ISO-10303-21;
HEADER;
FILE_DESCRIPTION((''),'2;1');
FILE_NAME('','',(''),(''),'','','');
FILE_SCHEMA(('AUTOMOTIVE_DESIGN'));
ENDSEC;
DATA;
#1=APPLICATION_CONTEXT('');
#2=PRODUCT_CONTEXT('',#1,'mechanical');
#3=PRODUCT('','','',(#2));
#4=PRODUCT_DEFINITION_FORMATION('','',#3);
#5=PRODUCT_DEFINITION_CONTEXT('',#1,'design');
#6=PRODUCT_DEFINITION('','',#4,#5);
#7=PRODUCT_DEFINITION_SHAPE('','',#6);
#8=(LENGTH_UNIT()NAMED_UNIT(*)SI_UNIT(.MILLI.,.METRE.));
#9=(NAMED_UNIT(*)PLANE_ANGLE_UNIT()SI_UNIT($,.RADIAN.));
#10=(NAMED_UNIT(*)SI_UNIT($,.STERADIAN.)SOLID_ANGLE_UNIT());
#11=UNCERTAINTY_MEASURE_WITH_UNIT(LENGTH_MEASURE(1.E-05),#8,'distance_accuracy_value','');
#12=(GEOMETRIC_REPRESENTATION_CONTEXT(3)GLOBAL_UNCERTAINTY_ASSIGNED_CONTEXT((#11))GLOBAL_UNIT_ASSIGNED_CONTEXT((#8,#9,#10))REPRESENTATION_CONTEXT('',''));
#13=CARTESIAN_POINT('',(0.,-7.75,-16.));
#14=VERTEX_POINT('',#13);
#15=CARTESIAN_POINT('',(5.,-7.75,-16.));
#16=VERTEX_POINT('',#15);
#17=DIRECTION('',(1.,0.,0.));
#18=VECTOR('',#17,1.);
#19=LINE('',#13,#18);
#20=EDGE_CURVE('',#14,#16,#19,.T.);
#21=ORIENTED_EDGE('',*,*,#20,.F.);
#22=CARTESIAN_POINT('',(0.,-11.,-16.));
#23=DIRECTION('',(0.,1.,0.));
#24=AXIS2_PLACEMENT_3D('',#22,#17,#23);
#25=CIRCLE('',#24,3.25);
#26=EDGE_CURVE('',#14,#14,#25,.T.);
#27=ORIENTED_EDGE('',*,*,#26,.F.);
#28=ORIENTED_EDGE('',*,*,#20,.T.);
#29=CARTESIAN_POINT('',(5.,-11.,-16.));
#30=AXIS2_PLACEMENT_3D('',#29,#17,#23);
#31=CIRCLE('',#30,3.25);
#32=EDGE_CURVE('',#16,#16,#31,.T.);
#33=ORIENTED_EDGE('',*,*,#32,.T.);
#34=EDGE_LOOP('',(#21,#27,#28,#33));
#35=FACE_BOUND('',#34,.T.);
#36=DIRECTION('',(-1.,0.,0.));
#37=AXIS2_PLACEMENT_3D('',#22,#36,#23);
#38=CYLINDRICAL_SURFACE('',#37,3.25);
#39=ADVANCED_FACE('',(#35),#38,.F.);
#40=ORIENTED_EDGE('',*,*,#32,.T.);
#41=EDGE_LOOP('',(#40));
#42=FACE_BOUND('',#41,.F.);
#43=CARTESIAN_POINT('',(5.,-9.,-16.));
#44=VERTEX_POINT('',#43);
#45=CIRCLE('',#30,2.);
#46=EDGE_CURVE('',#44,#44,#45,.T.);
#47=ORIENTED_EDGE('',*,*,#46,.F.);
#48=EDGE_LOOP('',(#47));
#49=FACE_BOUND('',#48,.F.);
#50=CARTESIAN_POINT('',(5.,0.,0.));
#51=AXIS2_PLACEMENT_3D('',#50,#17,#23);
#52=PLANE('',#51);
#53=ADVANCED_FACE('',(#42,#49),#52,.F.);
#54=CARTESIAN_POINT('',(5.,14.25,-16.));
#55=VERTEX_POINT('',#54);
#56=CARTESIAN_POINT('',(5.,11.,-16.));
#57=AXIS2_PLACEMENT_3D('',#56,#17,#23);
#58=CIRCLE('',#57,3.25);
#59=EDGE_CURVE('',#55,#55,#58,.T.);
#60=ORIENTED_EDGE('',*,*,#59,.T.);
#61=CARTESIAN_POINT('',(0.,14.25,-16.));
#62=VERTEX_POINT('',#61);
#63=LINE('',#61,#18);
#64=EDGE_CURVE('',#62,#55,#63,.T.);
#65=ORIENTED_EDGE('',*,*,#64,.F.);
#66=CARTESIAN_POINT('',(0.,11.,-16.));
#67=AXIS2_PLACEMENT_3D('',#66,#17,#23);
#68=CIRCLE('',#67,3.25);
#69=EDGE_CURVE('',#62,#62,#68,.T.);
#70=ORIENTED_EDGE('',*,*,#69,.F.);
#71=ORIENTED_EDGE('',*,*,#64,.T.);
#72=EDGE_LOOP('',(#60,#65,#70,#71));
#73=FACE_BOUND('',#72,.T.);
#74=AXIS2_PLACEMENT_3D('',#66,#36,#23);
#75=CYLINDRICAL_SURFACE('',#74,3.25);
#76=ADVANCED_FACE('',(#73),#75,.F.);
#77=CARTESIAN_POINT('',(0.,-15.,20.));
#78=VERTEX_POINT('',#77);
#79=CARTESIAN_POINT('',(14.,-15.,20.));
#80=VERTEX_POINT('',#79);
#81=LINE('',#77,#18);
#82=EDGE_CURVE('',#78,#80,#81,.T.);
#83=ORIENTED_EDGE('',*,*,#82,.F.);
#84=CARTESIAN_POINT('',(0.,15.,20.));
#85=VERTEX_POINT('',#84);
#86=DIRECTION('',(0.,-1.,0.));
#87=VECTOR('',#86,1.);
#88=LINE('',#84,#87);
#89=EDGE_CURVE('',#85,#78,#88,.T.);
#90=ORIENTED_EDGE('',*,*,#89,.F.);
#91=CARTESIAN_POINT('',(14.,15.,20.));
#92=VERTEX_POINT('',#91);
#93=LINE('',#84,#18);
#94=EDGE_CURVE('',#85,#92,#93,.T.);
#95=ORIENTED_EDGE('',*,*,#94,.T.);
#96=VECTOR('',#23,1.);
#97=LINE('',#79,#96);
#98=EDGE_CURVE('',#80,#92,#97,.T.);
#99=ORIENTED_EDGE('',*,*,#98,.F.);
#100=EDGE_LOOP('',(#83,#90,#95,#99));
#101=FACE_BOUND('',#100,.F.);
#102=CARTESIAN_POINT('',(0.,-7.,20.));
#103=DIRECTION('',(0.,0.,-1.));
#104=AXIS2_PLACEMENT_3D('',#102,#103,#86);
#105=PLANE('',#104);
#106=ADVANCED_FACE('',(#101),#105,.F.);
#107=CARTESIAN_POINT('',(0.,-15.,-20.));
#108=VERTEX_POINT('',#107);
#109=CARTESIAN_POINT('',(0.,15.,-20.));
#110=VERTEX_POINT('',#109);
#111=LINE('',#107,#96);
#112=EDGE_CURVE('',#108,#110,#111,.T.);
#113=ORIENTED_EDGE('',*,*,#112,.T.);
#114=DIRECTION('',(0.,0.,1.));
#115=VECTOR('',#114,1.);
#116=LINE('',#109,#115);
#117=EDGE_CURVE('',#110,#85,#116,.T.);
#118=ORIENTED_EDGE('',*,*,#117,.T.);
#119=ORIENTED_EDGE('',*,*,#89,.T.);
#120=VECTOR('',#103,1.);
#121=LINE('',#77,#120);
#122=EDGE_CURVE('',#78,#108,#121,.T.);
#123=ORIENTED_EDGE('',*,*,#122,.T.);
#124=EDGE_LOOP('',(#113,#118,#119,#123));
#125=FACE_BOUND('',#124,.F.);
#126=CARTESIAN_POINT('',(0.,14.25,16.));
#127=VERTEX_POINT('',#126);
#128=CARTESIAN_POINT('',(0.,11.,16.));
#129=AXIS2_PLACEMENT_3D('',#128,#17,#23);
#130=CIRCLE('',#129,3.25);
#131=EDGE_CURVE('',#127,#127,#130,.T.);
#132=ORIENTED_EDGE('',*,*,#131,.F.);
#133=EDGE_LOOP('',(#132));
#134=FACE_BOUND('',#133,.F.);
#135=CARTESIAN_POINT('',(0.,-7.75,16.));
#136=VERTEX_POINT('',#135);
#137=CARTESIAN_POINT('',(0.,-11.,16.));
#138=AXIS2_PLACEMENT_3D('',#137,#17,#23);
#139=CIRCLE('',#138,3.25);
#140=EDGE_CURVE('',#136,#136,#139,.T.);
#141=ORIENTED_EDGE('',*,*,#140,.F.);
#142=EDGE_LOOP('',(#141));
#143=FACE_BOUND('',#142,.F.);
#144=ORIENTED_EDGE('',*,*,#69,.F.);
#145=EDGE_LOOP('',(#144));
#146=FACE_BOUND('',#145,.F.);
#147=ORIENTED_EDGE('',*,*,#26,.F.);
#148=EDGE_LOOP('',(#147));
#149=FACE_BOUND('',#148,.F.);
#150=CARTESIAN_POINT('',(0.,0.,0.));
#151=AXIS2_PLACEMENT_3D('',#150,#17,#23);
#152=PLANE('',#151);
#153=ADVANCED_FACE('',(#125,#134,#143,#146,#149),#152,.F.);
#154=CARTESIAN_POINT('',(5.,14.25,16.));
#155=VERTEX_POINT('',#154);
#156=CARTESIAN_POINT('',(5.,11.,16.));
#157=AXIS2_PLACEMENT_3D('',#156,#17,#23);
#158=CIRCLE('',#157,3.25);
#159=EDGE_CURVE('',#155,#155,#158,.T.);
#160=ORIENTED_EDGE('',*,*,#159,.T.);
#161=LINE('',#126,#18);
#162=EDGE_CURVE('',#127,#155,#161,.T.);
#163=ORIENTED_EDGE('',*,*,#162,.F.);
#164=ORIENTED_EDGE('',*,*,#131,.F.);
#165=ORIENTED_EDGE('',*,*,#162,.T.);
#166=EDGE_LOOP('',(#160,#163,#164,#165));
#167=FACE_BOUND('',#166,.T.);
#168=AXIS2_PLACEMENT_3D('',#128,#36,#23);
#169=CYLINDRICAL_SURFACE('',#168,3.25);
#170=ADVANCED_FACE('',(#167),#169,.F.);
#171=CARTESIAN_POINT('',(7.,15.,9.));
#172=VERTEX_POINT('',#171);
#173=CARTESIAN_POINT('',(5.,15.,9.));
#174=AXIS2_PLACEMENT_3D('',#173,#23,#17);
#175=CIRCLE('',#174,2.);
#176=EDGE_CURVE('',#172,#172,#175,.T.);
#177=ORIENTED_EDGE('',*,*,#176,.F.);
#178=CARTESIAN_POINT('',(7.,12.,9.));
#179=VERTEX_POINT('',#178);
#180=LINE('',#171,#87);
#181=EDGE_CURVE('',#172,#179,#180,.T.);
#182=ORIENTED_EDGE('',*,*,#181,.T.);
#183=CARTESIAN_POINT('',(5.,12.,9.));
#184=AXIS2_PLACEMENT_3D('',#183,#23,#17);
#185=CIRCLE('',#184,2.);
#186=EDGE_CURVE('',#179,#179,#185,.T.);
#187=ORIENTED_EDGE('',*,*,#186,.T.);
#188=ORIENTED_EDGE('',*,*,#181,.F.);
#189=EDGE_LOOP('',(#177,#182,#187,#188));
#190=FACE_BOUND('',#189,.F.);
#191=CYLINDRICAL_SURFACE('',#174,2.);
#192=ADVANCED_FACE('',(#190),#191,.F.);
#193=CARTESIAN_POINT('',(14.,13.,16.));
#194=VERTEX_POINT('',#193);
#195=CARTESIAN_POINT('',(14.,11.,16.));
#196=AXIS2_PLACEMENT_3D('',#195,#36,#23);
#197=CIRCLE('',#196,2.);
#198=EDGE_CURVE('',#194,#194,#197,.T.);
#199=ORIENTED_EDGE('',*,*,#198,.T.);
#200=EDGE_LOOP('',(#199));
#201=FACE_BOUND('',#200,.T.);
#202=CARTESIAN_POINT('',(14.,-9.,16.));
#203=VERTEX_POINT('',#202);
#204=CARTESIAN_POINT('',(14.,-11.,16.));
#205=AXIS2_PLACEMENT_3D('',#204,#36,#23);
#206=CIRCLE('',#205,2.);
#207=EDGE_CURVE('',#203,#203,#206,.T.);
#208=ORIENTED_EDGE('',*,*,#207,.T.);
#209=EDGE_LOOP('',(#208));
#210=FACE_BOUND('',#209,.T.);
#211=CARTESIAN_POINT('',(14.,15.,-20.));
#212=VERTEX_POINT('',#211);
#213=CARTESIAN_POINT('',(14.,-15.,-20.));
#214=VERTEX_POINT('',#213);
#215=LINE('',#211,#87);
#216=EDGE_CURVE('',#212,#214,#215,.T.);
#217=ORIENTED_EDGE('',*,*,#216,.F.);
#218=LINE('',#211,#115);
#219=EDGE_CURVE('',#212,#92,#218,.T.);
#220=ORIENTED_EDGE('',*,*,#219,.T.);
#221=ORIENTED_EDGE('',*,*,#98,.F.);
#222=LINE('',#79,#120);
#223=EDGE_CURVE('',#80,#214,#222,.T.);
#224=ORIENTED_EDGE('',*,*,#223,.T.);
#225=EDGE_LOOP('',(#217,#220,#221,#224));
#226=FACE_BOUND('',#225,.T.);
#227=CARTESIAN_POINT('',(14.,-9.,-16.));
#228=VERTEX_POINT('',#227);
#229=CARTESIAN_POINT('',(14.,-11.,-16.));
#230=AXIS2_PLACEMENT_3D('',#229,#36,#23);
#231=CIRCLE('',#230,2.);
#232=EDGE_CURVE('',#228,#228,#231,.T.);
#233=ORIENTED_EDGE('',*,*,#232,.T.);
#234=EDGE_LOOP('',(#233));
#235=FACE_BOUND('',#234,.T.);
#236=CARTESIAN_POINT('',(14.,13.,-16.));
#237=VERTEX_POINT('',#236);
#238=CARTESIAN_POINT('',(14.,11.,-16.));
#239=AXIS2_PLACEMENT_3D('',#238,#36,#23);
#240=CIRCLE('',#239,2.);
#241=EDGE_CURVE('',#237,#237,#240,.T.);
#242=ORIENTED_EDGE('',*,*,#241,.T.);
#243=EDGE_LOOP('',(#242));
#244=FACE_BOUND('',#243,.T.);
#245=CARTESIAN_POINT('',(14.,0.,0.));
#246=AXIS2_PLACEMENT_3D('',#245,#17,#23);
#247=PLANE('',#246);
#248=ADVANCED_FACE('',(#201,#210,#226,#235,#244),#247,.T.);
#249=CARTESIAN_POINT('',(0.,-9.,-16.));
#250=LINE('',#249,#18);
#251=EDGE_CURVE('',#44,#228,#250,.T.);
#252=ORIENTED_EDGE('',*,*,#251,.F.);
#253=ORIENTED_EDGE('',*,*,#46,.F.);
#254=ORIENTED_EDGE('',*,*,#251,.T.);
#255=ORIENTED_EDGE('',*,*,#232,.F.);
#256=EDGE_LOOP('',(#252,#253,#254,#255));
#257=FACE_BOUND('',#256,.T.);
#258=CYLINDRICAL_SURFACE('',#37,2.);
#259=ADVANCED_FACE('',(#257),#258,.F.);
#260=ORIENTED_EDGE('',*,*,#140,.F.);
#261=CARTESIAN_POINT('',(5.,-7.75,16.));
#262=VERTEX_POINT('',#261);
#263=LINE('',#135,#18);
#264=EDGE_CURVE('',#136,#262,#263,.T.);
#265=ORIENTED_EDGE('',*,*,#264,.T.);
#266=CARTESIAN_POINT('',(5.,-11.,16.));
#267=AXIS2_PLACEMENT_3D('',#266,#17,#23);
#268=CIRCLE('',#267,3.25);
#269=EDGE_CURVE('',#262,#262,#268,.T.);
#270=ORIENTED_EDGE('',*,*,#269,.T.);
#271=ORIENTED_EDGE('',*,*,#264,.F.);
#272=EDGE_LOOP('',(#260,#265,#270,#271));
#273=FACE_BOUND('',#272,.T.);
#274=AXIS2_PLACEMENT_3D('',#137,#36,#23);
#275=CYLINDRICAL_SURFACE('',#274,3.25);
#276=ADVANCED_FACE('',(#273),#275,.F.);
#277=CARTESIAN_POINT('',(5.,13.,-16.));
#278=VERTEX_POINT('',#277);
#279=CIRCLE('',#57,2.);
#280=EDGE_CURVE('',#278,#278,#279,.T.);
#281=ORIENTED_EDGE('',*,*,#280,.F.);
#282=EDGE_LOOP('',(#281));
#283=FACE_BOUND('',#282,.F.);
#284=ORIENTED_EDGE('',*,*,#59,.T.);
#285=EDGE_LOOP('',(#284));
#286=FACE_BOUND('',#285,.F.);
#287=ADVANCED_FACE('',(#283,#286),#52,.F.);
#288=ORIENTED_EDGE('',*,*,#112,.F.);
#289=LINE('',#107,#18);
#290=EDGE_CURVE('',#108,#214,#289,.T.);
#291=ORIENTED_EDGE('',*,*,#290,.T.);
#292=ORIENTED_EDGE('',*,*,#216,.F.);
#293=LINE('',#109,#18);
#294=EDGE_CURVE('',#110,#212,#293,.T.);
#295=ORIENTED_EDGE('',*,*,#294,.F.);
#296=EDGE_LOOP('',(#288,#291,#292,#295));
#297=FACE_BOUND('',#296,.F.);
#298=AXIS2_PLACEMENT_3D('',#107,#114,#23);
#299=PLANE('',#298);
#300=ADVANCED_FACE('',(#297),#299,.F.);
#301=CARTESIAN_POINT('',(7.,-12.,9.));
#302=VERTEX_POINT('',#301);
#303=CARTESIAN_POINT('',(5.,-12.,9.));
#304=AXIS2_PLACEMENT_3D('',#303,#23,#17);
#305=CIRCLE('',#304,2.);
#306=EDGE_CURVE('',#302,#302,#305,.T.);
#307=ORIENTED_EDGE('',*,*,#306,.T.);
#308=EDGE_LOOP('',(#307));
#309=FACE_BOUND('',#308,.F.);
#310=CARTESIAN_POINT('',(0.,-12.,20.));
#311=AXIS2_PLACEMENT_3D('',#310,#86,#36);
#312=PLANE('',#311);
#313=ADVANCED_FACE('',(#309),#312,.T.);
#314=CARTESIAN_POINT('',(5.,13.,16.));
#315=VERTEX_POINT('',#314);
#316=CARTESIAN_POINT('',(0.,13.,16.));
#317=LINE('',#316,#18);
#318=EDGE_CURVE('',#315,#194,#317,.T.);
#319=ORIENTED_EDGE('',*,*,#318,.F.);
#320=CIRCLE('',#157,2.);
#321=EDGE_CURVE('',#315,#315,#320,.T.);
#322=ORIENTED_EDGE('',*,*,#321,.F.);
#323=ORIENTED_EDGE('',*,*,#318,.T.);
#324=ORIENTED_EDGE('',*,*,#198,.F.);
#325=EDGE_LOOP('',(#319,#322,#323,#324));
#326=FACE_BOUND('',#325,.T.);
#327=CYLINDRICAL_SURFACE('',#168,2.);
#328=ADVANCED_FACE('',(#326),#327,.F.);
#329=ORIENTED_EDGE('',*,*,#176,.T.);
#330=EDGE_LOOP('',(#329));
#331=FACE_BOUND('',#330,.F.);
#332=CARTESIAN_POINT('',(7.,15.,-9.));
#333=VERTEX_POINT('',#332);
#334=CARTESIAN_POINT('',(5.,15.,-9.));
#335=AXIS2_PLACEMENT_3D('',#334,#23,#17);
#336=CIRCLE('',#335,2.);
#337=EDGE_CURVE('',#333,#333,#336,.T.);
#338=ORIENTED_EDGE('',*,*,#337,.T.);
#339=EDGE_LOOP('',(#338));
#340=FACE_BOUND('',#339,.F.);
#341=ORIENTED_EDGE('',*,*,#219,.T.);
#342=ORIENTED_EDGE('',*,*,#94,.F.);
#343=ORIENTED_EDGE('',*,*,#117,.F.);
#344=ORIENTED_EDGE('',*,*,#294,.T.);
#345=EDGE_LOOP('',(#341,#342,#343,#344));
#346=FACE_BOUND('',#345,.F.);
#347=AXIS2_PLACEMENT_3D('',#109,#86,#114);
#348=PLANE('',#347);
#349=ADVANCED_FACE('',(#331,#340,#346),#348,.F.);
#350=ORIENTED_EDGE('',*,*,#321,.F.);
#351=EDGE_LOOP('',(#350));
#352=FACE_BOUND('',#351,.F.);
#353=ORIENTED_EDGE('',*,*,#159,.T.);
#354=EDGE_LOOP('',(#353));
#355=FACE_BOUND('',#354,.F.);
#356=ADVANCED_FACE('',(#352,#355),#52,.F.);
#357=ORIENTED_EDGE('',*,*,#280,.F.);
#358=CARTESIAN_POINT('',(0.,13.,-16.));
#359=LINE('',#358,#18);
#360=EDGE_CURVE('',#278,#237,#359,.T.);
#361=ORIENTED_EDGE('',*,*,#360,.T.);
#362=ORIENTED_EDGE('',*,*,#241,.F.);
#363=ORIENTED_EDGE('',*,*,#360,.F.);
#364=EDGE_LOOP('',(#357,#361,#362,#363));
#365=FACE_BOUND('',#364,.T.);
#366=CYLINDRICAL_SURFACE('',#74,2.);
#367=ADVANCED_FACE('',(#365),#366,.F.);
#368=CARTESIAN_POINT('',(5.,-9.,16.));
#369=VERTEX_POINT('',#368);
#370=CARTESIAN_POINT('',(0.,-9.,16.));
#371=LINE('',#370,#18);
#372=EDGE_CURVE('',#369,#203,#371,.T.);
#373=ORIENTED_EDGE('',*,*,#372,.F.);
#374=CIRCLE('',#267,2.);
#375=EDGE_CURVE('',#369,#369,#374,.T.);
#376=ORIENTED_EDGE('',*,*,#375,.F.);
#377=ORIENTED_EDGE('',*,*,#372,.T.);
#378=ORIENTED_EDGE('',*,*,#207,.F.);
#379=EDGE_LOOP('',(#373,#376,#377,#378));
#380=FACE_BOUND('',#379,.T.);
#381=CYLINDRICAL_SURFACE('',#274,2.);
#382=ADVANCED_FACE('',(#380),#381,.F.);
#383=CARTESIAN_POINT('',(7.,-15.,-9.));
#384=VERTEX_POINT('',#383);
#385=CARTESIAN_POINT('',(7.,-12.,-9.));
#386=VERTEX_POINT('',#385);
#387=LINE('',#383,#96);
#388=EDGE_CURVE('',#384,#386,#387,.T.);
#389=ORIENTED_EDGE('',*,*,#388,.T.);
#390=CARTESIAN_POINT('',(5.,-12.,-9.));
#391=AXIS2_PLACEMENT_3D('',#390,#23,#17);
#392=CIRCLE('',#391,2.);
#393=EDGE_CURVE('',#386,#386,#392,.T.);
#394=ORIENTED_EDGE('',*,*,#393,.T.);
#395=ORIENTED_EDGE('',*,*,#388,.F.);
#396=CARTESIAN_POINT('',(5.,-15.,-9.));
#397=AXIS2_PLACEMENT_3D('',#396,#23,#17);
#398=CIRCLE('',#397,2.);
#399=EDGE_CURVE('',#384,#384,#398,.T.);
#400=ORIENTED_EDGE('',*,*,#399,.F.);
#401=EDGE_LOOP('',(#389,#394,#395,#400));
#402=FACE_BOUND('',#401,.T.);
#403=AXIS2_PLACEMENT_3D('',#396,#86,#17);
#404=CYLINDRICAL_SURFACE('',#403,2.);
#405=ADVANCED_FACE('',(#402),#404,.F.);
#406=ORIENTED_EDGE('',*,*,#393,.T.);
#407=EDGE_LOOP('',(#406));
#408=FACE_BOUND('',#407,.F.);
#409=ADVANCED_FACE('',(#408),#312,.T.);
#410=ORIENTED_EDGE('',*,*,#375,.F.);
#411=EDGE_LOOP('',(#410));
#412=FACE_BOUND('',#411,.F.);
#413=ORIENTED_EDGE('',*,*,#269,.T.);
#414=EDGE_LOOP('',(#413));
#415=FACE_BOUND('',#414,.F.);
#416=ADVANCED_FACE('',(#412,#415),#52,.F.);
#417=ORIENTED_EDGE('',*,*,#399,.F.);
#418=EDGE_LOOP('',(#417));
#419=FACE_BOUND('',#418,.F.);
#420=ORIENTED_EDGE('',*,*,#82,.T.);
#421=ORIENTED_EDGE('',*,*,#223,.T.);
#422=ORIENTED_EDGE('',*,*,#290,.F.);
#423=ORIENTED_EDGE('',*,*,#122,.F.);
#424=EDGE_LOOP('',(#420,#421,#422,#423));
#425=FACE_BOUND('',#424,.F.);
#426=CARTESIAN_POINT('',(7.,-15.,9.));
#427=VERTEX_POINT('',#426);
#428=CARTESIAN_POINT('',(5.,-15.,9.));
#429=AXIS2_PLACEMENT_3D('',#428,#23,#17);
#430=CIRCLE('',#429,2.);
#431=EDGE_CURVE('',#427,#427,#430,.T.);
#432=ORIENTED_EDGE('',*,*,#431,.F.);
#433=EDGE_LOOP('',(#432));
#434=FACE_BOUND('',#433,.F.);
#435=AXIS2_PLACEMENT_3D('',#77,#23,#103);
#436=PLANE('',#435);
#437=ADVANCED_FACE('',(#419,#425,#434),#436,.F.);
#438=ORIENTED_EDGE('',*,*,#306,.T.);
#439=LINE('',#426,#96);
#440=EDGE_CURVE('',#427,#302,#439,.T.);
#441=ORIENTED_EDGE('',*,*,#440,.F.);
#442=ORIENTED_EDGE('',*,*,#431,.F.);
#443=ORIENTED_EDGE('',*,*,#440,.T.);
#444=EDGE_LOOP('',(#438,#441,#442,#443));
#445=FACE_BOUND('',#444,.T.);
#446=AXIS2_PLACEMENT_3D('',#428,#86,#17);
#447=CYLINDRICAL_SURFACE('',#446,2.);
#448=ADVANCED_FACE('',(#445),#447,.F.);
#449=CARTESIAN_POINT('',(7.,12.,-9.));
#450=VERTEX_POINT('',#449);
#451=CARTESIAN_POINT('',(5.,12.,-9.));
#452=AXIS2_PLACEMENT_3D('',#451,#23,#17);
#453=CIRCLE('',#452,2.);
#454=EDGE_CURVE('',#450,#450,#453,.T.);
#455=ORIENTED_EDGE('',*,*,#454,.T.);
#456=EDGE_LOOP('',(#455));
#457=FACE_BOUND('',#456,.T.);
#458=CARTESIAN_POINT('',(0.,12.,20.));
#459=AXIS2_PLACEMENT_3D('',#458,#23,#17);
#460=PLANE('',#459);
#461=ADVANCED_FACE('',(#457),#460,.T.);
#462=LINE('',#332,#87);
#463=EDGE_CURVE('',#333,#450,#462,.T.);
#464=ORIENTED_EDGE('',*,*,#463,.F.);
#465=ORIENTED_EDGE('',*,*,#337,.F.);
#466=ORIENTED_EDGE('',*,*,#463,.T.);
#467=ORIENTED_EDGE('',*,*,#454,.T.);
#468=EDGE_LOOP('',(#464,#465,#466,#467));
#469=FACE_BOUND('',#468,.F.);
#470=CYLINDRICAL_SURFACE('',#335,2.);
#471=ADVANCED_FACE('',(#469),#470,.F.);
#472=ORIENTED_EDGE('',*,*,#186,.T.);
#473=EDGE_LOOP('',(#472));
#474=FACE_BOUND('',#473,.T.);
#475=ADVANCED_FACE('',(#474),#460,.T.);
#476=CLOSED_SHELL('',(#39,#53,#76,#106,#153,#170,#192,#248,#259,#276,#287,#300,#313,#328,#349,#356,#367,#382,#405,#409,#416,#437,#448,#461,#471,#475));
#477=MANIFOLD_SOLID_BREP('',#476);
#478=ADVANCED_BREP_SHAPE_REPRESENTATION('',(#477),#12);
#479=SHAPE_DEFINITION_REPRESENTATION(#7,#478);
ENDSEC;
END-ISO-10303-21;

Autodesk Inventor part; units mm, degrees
ref_plane "YZ Plane" through (0, 0, 0) normal (1, 0, 0) x (0, 1, 0)
ref_plane "XZ Plane" through (0, 0, 0) normal (0, 1, 0) x (-1, 0, 0)
ref_plane "XY Plane" through (0, 0, 0) normal (0, 0, 1) x (1, 0, 0)
sketch "Sketch1" plane through (0, 0, 0) normal (1, 0, 0) x (0, 1, 0)
  line L0 (-15, -20) -> (15, -20)
  line L1 (15, -20) -> (15, 20)
  line L2 (15, 20) -> (-15, 20)
  line L3 (-15, 20) -> (-15, -20)
  line L4 (-15, -20) -> (15, 20) construction
  line L5 (15, -20) -> (-15, 20) construction
  line L6 (-7, -20) -> (7, -20)
  line L7 (7, -20) -> (7, 20)
  line L8 (7, 20) -> (-7, 20)
  line L9 (-7, 20) -> (-7, -20)
  line L10 (7, -20) -> (5.4606, -20)
  arc A0 (-5.3073, 19.4579) -> (-4.85, 20) centre (-5.4, 20) ccw
  arc A1 (-4.85, 18) -> (-5.3073, 18.5421) centre (-5.4, 18) ccw
  line L11 (-5.4, 20) -> (-5.4, 18) construction
  line L12 (-6, 19.1286) -> (-6, 18.8714)
  line L13 (-5.7921, 19.375) -> (-5.3073, 19.4579)
  line L14 (-5.3073, 18.5421) -> (-5.7921, 18.625)
  arc A2 (-5.7921, 19.375) -> (-6, 19.1286) centre (-5.75, 19.1286) ccw
  arc A3 (-6, 18.8714) -> (-5.7921, 18.625) centre (-5.75, 18.8714) ccw
  line L15 (-5.4, 18) -> (-4.85, 18) construction
  line L16 (-6, 19) -> (-5.4, 19) construction
  line L17 (-4.85, 18) -> (-1.85, 18)
  line L18 (-1.85, 18) -> (-1.85, 20)
  line L19 (7, -20) -> (-7, 20) construction
  line L20 (7, 20) -> (-7, -20) construction
  line L21 (7, 20) -> (15, 20)
  line L22 (15, 20) -> (15, -20)
  line L23 (15, -20) -> (7, -20)
  line L24 (-7, 20) -> (-15, 20)
  line L25 (-15, 20) -> (-15, -20)
  line L26 (-15, -20) -> (-7, -20)
  circle A4 centre (11, 16) radius 2
  circle A5 centre (11, -16) radius 2
  circle A6 centre (-11, 16) radius 2
  circle A7 centre (-11, -16) radius 2
  circle A8 centre (11, -16) radius 3.25
  circle A9 centre (11, 16) radius 3.25
  circle A10 centre (-11, 16) radius 3.25
  circle A11 centre (-11, -16) radius 3.25
  point P0 (0, 0)
  point P1 (0, 0)
  point P2 (5.4606, -20)
  point P3 (11, 20)
  point P4 (-11, 20)
  dimension "d0" = 40
  dimension "d1" = 30
  dimension "d12" = 14
  dimension "d13" = 1.1
  dimension "d14" = 1.6
  dimension "d15" = 1.1
  dimension "d16" = 2
  dimension "d17" = 1
  dimension "d18" = 0.25
  dimension "d19" = 0.75
  dimension "d20" = 3
  dimension "d21" = 40
  dimension "d22" = 30
  dimension "d23" = 4
  dimension "d24" = 4
  dimension "d25" = 4
  dimension "d26" = 4
  dimension "d27" = 4
  dimension "d28" = 4
  dimension "d29" = 4
  dimension "d30" = 4
  dimension "d31" = 4
  dimension "d32" = 4
  dimension "d33" = 4
  dimension "d34" = 4
  dimension "d37" = 6.5
  dimension "d38" = 6.5
  dimension "d39" = 6.5
  dimension "d40" = 6.5
extrude "Extrusion1" add sketch "Sketch1" along normal blind 14 contours L3 L2 L9 L0 | L9 L2 A0 L13 A2 L12 A3 L14 A1 L17 L18 L7 L0 | L7 L2 L1 L0 | L2 L18 L17 A1 L14 A3 L12 A2 L13 A0 | A4 | A5 | A6 | A7 | A8 | A9 | A10 | A11
sketch "Sketch2" plane through (0, 15, 20) normal (0, 1, 0) x (1, 0, 0)
  line L0 (0, 40) -> (0, 0) construction
  line L1 (0, 11) -> (5, 11) construction
  line L2 (0, 29) -> (5, 29) construction
  circle A0 centre (5, 11) radius 2
  circle A1 centre (5, 29) radius 2
  line L3 (0, 0) -> (14, 0) projected
  point P0 (0, 20)
  dimension "d4" = 5
  dimension "d5" = 5
  dimension "d6" = 4
  dimension "d7" = 4
  dimension "d8" = 18
  dimension "d9" = 11
extrude "Extrusion2" cut sketch "Sketch2" against normal blind 3
mirror "Mirror1" about plane through (0, 0, 0) normal (0, 1, 0) of "Extrusion2"
extrude "Extrusion3" cut sketch "Sketch1" along normal through all contours A4 | A5 | A6 | A7
extrude "Extrusion4" cut sketch "Sketch1" along normal blind 5 contours A8 | A9 | A10 | A11
equation "\"d27\" = d26"
equation "\"d30\" = d27"
equation "\"d31\" = d25"
equation "\"d32\" = d23"
equation "\"d33\" = d26"
equation "\"d34\" = d23"
equation "\"d38\" = d37"
equation "\"d39\" = d37"
equation "\"d40\" = d37"
equation "\"d5\" = d4"
properties part number "LRT_Face"
